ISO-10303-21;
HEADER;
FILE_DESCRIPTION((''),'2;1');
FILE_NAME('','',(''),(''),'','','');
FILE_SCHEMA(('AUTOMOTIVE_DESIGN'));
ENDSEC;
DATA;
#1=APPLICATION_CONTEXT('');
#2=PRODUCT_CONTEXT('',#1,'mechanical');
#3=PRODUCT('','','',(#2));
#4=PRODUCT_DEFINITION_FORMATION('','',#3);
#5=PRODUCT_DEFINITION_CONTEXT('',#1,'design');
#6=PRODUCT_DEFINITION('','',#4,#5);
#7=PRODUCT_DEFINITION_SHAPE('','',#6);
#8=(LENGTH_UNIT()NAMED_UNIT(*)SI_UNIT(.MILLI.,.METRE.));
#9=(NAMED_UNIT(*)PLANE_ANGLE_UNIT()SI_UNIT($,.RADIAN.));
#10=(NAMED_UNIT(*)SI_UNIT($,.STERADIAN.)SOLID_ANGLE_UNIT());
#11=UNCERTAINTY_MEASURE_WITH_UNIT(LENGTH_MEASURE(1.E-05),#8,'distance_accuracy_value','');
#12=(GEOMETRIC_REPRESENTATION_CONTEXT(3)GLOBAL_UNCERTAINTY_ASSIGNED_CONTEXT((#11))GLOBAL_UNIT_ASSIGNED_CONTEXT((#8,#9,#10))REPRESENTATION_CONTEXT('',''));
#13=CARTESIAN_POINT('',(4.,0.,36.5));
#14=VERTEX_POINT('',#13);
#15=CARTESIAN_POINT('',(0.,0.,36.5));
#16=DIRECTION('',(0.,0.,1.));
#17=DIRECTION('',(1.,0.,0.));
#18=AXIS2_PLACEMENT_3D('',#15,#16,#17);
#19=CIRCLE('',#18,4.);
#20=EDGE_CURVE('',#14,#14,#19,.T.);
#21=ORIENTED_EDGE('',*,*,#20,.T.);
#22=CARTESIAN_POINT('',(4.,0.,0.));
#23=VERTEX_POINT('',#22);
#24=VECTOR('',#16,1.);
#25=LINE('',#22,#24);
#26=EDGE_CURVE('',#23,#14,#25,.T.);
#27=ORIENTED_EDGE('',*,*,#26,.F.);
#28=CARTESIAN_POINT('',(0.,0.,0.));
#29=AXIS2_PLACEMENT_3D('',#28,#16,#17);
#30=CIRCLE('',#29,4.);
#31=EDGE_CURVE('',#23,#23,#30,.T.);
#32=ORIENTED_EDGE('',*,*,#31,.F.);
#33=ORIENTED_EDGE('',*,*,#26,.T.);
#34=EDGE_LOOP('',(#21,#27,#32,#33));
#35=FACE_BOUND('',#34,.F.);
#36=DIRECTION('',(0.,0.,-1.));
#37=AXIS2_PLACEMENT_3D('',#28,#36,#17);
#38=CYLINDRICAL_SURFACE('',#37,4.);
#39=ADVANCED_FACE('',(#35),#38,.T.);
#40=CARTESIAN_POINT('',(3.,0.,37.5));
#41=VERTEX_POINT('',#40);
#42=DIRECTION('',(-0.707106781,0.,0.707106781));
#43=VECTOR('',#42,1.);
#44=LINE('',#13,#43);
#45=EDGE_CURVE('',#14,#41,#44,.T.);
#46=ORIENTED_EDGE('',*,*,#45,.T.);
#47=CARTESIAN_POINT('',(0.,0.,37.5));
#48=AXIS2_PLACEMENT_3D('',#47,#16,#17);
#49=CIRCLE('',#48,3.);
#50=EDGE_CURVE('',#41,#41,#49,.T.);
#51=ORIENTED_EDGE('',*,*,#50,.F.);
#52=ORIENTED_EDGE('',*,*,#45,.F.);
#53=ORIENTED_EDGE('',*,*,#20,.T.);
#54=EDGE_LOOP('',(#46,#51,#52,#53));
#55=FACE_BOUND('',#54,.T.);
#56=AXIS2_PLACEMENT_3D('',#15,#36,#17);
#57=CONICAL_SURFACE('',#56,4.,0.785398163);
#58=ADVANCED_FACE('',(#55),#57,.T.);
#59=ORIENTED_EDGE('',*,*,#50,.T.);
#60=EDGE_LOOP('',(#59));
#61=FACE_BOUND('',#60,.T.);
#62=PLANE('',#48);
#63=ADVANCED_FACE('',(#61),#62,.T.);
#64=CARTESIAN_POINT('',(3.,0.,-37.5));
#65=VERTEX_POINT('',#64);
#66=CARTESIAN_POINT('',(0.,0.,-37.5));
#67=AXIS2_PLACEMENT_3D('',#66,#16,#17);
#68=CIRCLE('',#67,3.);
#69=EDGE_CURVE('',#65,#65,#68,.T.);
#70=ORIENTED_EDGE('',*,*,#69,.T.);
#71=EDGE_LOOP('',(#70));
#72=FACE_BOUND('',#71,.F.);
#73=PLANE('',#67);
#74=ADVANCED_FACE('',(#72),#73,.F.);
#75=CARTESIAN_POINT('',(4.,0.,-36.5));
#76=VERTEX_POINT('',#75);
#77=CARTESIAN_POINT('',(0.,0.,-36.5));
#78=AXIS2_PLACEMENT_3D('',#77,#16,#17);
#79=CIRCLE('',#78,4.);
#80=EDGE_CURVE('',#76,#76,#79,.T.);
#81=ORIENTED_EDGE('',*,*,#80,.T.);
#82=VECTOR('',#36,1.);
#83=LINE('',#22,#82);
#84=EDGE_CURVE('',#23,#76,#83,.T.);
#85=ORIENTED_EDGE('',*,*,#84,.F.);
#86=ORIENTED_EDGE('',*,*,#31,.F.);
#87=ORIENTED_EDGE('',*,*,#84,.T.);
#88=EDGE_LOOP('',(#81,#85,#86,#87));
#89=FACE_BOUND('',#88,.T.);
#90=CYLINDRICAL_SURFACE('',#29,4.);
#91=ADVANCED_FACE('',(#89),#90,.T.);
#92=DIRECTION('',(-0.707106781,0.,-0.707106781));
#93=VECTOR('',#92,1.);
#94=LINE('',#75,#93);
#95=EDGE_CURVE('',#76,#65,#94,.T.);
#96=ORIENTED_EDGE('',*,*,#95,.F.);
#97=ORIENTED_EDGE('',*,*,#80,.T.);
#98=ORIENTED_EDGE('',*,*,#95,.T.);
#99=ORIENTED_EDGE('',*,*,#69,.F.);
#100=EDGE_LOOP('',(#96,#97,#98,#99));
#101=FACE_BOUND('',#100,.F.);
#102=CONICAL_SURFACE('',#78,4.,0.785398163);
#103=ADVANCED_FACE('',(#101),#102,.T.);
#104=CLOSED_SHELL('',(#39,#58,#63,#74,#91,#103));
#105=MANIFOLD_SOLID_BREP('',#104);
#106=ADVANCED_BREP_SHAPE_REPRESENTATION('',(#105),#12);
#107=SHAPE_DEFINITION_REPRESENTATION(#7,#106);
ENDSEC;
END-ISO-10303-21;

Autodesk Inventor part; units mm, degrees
ref_plane "YZ Plane" through (0, 0, 0) normal (1, 0, 0) x (0, 1, 0)
ref_plane "XZ Plane" through (0, 0, 0) normal (0, 1, 0) x (-1, 0, 0)
ref_plane "XY Plane" through (0, 0, 0) normal (0, 0, 1) x (1, 0, 0)
sketch "Sketch1" plane through (0, 0, 0) normal (0, 0, 1) x (1, 0, 0)
  circle A0 centre (0, 0) radius 4
  dimension "d0" = 8
extrude "Extrusion1" add sketch "Sketch1" along normal mid plane 75
chamfer "Chamfer1" distance 1 angle 45 2 edges at (-4, 0, 37.5) (-4, 0, -37.5)
properties part number "contra-eixo" material "Stainless Steel"
